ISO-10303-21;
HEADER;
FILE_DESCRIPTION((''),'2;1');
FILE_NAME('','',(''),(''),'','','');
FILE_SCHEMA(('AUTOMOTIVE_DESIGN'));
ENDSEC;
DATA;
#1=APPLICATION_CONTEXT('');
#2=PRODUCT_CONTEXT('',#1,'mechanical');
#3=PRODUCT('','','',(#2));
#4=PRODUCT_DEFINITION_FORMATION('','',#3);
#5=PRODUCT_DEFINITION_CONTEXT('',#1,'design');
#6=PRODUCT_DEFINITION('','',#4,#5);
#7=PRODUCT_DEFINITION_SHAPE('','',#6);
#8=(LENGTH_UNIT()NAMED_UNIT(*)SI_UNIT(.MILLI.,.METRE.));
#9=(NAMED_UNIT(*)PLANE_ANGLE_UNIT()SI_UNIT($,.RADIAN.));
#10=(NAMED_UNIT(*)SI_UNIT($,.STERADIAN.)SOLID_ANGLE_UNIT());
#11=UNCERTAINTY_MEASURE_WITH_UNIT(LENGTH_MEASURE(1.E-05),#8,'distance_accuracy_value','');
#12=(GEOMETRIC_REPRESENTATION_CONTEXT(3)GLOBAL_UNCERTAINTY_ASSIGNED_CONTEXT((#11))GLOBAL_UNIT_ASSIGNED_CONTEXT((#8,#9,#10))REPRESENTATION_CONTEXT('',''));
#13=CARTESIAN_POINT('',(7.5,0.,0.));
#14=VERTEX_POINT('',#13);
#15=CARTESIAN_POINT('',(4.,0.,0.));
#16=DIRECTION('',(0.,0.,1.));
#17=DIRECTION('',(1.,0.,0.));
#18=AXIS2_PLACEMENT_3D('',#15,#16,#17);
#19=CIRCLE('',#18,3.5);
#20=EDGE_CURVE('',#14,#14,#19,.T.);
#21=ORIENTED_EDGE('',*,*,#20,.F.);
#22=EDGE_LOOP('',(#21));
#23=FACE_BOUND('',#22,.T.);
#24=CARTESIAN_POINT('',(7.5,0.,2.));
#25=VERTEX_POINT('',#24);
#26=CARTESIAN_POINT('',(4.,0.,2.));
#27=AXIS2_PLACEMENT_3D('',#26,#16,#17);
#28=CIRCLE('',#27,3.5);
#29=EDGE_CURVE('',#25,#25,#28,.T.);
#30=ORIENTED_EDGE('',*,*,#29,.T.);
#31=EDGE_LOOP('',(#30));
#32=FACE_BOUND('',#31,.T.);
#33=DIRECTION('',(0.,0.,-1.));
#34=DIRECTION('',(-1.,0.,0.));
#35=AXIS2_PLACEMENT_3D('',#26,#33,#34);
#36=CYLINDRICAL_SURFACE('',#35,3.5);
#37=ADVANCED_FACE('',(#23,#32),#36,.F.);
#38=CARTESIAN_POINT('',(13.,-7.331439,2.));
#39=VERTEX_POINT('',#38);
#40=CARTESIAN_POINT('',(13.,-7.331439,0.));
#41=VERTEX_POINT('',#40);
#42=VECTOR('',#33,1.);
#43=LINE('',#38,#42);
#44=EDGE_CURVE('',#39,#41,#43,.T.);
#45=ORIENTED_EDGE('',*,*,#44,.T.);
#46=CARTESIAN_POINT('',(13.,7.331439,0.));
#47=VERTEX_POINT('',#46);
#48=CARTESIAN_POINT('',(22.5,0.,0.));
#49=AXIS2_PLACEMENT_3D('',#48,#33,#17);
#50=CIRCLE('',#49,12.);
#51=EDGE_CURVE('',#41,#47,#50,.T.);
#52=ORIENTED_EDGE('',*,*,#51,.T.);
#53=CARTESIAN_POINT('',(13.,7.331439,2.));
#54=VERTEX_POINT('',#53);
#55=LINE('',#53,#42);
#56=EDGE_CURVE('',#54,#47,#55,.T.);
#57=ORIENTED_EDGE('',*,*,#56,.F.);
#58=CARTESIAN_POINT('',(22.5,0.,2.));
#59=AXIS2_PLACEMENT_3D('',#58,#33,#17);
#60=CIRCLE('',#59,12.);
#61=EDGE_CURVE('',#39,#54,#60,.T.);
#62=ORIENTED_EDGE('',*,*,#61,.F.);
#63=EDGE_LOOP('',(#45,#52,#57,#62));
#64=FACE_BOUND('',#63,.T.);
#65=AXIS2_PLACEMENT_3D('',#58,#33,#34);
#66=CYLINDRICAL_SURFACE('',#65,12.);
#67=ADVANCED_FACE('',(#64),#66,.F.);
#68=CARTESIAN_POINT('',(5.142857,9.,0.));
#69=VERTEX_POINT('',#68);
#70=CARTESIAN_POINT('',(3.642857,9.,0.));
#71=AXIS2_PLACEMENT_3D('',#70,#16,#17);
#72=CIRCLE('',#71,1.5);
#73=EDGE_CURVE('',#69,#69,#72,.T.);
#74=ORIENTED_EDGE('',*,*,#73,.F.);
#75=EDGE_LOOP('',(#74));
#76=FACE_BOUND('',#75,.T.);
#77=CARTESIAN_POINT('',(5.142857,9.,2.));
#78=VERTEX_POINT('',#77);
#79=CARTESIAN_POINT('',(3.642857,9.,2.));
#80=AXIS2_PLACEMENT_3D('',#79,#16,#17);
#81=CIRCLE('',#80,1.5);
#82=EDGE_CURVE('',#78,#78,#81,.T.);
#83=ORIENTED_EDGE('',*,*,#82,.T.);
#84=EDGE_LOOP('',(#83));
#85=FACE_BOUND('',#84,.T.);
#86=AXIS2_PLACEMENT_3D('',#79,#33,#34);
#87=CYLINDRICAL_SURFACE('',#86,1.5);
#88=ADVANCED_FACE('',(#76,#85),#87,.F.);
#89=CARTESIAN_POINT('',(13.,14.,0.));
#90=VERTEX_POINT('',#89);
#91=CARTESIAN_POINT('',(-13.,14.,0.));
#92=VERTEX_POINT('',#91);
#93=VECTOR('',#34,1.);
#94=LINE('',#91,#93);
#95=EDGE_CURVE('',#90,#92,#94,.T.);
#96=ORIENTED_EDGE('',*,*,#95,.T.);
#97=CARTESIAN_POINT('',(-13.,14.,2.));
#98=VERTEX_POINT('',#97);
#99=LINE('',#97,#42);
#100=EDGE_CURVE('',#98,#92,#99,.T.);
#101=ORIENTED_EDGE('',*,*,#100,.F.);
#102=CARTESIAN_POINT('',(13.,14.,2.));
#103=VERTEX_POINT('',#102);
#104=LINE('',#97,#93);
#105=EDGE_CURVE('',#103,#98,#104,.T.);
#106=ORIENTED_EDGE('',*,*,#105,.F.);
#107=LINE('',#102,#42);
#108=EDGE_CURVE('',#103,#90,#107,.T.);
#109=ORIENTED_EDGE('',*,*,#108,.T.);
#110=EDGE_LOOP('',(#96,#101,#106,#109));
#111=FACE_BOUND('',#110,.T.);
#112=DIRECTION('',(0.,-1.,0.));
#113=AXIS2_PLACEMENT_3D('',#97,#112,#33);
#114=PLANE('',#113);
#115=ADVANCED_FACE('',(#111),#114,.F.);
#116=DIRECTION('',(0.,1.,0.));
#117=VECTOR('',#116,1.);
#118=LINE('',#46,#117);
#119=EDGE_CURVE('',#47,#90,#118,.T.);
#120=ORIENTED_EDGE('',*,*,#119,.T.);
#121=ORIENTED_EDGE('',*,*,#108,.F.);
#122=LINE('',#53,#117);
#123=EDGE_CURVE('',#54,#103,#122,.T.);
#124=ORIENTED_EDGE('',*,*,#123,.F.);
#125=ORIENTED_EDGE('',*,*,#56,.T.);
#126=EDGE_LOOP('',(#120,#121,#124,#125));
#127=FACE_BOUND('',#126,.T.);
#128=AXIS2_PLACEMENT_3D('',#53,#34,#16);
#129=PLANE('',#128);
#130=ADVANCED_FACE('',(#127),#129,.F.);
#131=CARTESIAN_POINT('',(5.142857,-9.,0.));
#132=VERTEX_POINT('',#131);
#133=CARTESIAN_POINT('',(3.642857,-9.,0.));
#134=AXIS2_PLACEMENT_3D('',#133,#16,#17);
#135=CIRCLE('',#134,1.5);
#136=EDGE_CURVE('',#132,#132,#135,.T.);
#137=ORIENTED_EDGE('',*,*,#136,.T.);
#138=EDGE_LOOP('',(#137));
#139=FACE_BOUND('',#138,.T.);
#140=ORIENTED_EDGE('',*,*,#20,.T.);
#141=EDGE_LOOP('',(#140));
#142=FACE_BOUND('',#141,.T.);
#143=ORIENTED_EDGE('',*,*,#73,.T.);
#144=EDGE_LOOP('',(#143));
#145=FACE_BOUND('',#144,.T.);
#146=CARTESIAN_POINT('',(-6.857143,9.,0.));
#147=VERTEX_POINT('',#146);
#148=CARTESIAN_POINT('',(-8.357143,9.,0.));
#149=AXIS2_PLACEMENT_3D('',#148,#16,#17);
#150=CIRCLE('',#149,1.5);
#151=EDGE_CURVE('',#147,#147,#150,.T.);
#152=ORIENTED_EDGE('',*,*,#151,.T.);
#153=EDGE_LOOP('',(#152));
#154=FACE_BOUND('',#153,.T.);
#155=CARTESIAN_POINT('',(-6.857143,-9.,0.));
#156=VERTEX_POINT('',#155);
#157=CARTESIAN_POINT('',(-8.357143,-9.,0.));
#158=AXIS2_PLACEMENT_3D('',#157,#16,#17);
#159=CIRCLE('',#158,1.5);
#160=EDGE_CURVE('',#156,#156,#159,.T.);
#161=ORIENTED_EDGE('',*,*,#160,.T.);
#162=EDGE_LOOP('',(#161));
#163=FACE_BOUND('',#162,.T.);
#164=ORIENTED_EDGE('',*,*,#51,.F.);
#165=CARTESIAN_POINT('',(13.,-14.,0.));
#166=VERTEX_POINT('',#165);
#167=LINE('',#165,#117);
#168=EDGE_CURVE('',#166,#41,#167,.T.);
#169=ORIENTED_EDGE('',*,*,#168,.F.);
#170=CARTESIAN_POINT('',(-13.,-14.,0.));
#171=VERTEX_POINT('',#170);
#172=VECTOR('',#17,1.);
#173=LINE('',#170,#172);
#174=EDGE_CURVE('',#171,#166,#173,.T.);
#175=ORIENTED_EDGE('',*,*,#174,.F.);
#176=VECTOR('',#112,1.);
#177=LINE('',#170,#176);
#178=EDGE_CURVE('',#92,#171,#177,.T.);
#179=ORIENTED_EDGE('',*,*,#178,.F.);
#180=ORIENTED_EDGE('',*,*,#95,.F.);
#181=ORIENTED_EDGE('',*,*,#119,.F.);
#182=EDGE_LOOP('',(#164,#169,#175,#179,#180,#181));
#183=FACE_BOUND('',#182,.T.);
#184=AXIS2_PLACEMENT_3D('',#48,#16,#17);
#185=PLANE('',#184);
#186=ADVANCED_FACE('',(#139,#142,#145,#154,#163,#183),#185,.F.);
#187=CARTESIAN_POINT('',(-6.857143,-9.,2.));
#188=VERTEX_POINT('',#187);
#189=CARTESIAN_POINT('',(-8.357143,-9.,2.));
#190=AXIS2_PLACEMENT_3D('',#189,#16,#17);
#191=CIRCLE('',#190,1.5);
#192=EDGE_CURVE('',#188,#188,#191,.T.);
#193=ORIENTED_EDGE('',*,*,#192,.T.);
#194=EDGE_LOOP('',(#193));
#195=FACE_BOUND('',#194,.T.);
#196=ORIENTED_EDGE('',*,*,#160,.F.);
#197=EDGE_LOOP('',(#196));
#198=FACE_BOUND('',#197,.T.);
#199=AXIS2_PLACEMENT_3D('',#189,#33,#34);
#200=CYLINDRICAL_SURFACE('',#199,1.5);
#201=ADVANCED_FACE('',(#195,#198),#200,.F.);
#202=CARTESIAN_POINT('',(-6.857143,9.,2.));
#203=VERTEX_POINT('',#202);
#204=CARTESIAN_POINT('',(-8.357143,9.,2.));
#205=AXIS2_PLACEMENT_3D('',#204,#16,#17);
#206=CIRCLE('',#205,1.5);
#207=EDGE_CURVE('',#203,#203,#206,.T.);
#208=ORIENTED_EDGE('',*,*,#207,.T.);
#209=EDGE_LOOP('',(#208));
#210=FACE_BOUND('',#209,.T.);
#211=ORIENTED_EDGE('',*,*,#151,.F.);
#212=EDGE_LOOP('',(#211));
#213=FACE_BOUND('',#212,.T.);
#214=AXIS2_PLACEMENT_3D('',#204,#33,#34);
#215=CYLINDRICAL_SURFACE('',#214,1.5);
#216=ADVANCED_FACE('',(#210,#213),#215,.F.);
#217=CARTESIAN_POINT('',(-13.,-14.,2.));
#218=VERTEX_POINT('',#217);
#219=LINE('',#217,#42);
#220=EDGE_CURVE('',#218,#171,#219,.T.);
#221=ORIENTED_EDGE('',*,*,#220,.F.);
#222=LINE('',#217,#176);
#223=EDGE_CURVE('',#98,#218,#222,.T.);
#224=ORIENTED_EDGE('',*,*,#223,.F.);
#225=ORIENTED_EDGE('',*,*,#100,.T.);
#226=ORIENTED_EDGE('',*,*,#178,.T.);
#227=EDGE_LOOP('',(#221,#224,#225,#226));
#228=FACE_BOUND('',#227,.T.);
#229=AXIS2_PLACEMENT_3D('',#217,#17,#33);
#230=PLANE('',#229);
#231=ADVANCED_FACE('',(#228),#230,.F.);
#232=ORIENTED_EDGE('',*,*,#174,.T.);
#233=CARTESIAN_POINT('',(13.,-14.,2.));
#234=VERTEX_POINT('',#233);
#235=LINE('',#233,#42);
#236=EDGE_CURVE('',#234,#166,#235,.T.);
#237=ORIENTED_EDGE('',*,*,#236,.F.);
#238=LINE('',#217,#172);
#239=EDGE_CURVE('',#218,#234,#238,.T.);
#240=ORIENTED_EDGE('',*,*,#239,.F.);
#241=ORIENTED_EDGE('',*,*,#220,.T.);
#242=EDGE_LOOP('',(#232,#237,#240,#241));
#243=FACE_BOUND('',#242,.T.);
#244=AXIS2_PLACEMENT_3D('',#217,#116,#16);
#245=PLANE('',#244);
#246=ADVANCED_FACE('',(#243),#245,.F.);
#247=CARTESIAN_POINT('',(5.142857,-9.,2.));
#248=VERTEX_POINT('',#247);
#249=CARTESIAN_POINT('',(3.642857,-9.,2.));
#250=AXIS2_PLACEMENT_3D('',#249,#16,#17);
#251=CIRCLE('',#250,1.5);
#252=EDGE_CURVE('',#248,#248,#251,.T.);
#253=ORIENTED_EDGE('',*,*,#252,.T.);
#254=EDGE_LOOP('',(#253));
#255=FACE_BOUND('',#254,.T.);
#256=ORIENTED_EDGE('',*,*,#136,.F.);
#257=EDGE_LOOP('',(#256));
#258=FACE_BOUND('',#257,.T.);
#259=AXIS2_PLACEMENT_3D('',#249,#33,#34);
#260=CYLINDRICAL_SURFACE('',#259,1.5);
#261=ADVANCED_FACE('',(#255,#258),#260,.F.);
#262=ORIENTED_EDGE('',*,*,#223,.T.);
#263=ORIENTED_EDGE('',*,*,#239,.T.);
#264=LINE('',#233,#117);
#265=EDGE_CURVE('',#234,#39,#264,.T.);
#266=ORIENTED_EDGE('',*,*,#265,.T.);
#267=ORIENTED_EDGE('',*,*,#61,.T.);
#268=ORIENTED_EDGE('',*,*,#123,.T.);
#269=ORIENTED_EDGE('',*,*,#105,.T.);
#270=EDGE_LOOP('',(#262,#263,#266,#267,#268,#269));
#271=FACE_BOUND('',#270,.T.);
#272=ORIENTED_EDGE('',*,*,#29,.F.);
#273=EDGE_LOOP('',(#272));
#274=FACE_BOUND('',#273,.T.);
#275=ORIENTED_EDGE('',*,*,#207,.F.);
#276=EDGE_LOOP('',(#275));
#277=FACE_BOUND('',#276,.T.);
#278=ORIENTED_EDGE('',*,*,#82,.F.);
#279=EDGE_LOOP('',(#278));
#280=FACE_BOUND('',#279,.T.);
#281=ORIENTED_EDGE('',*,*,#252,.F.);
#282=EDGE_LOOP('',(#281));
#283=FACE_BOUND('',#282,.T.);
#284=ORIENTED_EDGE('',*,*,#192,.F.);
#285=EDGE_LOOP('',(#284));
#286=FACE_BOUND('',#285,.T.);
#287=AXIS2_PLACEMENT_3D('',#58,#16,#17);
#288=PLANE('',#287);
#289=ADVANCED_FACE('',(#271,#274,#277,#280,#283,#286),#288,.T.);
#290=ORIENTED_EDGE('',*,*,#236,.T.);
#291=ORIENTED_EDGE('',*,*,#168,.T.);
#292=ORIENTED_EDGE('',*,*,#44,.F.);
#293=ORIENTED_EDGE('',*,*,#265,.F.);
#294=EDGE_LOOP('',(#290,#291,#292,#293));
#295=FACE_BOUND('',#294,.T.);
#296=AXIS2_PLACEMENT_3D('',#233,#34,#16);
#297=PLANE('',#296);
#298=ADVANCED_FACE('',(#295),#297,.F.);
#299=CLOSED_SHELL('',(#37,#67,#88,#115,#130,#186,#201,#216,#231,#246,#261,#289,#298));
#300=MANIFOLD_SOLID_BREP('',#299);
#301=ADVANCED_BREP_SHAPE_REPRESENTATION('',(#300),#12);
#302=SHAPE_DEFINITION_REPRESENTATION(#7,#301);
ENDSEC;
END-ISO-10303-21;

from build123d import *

# Parameters (mm, degrees)
SKETCH1_R           = 1.5
SKETCH1_R_2         = 3.5
BOSS_EXTRUDE1_DEPTH = 2


with BuildPart() as part:
    # Sketch1 → Boss-Extrude1 (new body)
    with BuildSketch(Plane.XY):
        with BuildLine():
            Line((-13, -14), (13, -14))
            Line((13, -14), (13, -7.331439149))
            ThreePointArc((13, -7.331439149), (10.5, 0), (13, 7.331439149))
            Line((13, 7.331439149), (13, 14))
            Line((13, 14), (-13, 14))
            Line((-13, 14), (-13, -14))
        make_face()
        with Locations((-8.357142857, 9)):
            Circle(SKETCH1_R, mode=Mode.SUBTRACT)
        with Locations((4, 0)):
            Circle(SKETCH1_R_2, mode=Mode.SUBTRACT)
        with Locations((3.642857143, 9)):
            Circle(SKETCH1_R, mode=Mode.SUBTRACT)
        with Locations((3.642857143, -9)):
            Circle(SKETCH1_R, mode=Mode.SUBTRACT)
        with Locations((-8.357142857, -9)):
            Circle(SKETCH1_R, mode=Mode.SUBTRACT)
    extrude(amount=BOSS_EXTRUDE1_DEPTH)


solid = part.part
